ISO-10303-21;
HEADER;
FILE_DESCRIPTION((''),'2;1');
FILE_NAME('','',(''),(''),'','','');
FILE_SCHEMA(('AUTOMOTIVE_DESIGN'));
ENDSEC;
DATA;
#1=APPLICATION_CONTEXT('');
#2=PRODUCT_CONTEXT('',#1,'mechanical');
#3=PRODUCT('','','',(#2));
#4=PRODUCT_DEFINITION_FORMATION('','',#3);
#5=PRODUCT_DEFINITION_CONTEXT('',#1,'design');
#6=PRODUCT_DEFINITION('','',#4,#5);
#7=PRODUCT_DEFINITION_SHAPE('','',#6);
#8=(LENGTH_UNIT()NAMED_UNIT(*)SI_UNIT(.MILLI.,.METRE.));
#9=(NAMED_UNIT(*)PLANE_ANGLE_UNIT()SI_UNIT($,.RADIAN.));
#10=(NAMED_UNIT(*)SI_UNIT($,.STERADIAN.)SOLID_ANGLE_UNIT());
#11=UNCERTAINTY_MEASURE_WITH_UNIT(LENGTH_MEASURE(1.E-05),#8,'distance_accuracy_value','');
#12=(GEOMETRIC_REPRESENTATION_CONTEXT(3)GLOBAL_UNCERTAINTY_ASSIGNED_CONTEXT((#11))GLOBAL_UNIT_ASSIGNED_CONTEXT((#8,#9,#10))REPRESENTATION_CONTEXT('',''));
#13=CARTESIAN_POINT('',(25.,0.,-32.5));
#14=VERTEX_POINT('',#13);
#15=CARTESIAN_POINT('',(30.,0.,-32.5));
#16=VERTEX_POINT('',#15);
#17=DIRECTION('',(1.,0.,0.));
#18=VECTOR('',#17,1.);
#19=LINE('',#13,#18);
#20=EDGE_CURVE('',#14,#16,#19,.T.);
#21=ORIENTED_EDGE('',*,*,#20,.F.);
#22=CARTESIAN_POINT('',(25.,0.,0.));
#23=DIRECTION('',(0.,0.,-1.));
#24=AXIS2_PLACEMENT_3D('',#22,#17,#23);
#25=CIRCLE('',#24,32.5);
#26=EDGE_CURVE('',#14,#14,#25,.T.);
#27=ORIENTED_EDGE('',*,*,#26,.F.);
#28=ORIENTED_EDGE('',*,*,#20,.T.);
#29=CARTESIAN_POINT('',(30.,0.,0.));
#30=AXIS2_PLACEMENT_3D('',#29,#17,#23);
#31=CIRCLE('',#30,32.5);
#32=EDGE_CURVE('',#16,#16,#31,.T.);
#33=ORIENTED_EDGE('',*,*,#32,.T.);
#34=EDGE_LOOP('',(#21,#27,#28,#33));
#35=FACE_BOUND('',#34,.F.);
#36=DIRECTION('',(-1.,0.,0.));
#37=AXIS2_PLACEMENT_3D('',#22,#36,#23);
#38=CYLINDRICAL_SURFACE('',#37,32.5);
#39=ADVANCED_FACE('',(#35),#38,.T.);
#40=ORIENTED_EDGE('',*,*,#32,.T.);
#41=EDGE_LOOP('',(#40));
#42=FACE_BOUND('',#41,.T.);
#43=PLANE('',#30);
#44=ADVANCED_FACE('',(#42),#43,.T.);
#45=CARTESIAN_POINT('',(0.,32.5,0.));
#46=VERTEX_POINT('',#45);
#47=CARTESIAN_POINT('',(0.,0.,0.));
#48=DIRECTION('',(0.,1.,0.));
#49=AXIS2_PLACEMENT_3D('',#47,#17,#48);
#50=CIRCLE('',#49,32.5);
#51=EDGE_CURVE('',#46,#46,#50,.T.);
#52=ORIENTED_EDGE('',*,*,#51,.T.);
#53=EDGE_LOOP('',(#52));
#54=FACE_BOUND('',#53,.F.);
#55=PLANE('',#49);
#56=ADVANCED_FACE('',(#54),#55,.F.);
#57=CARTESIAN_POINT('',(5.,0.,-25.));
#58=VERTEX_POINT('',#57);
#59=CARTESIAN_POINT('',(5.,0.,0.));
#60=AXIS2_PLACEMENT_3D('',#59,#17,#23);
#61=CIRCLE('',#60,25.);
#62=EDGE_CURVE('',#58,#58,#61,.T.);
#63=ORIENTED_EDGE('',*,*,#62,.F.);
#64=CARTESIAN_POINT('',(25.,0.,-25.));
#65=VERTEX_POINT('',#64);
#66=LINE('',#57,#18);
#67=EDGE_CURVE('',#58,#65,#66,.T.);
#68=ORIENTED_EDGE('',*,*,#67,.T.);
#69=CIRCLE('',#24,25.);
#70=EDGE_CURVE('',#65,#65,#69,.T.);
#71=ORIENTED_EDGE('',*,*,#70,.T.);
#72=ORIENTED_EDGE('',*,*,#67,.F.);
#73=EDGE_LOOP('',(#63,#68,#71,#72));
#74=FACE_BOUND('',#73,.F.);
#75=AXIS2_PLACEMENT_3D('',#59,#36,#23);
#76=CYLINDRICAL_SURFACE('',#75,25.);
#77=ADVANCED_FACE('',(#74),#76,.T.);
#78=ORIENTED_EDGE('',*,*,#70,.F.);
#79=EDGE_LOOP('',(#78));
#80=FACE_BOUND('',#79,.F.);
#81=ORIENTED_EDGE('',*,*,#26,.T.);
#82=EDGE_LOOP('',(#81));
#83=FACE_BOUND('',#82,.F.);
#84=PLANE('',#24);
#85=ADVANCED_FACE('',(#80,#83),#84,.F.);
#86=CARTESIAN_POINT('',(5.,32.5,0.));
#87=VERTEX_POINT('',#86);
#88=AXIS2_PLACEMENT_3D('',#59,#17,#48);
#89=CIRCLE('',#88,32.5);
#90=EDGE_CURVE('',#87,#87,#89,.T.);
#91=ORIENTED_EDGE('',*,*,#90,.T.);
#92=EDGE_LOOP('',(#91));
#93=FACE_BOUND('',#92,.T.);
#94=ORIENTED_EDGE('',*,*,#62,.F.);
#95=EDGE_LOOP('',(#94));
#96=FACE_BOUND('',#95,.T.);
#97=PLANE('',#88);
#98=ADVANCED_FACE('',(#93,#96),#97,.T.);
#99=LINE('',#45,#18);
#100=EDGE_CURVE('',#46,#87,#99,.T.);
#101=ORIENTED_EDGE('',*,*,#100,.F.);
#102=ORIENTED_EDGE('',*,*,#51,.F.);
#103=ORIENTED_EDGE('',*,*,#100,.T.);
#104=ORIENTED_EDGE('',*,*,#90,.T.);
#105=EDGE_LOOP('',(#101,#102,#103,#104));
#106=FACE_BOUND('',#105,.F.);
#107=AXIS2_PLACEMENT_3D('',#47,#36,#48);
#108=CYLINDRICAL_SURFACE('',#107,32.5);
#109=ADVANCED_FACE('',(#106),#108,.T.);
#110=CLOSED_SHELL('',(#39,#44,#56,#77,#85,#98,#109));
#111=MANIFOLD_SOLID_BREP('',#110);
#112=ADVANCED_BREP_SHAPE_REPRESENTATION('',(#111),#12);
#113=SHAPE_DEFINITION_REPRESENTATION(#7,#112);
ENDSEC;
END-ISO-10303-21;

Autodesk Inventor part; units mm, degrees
ref_plane "YZ Plane" through (0, 0, 0) normal (1, 0, 0) x (0, 1, 0)
ref_plane "XZ Plane" through (0, 0, 0) normal (0, 1, 0) x (-1, 0, 0)
ref_plane "XY Plane" through (0, 0, 0) normal (0, 0, 1) x (1, 0, 0)
sketch "Sketch1" plane through (0, 0, 0) normal (1, 0, 0) x (0, 1, 0)
  circle A0 centre (0, 0) radius 32.5
  dimension "d1" = 65
extrude "Extrusion3" add sketch "Sketch1" along normal blind 5
sketch "Sketch3" plane through (5, 0, 0) normal (1, 0, 0) x (0, 0, -1)
  circle A0 centre (0, 0) radius 25
  dimension "d9" = 50
extrude "Extrusion4" add sketch "Sketch3" along normal blind 20
sketch "Sketch4" plane through (25, 0, 0) normal (1, 0, 0) x (0, 0, -1)
  circle A0 centre (0, 0) radius 25 projected
  circle A1 centre (0, 0) radius 32.5
  dimension "d12" = 65
extrude "Extrusion5" add sketch "Sketch4" along normal blind 5 contours A0 | A1
sketch "Sketch5" plane through (0, 0, 0) normal (-1, 0, 0) x (0, 0, 1)
  point P0 (0, 0)
equation "\"d12\" = d1"
properties part number "pully"
